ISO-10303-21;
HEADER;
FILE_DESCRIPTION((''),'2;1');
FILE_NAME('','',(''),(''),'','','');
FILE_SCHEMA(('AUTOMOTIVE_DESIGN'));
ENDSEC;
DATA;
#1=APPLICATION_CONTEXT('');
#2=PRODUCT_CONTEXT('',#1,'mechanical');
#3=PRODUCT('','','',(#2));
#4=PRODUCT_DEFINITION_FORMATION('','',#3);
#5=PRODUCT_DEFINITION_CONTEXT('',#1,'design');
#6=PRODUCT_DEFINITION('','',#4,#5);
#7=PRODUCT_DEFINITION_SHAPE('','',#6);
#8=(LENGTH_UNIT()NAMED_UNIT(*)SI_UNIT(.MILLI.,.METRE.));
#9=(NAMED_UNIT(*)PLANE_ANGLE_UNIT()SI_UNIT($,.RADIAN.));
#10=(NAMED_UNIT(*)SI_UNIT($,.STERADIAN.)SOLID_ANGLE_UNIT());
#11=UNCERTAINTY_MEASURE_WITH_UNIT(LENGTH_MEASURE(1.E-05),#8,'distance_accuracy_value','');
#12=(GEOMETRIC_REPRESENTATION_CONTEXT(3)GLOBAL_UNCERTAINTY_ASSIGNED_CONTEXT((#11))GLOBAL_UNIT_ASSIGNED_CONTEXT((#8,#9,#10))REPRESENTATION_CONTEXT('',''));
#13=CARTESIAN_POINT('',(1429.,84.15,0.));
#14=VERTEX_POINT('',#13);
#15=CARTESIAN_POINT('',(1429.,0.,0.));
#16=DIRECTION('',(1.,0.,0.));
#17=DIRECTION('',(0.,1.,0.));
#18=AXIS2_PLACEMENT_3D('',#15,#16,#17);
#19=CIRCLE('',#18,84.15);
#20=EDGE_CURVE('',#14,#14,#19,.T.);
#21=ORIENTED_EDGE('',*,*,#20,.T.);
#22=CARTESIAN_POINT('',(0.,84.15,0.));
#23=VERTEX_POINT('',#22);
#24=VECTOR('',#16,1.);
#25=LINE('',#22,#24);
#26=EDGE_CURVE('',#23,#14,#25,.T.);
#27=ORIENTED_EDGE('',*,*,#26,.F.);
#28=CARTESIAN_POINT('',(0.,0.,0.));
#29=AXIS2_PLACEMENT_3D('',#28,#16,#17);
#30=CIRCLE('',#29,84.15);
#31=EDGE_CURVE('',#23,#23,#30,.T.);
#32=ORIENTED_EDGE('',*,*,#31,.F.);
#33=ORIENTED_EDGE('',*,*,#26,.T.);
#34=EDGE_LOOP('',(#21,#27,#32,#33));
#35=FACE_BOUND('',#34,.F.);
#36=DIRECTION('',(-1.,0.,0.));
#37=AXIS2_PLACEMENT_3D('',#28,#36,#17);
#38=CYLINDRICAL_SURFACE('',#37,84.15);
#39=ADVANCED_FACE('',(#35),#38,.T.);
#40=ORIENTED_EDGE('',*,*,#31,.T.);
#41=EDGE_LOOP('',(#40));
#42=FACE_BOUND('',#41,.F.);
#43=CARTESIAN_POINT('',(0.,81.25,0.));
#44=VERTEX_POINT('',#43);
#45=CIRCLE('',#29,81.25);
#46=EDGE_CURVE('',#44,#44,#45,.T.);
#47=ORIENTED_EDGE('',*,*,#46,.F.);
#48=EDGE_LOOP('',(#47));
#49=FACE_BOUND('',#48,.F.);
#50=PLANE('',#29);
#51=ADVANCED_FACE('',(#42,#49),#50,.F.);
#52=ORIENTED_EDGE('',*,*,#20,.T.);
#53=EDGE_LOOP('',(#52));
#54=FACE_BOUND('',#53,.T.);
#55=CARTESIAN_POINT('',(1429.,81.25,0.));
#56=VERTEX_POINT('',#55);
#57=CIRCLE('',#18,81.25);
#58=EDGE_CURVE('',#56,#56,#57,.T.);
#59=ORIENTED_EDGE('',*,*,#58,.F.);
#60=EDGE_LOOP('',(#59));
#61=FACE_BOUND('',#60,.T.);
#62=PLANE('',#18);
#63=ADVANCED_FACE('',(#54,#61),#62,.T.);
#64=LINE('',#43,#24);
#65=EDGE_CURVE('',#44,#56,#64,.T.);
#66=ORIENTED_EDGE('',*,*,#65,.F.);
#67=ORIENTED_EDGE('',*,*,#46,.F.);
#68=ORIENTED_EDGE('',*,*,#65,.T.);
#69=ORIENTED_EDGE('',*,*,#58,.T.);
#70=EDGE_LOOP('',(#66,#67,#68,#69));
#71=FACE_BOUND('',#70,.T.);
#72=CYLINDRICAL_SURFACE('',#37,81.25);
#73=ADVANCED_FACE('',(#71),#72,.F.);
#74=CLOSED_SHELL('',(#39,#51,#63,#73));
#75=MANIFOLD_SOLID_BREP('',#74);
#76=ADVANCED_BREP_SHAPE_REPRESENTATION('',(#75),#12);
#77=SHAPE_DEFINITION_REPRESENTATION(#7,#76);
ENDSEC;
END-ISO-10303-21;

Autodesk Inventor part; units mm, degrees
ref_plane "YZ Plane" through (0, 0, 0) normal (1, 0, 0) x (0, 1, 0)
ref_plane "XZ Plane" through (0, 0, 0) normal (0, 1, 0) x (-1, 0, 0)
ref_plane "XY Plane" through (0, 0, 0) normal (0, 0, 1) x (1, 0, 0)
sketch "Sketch1" plane through (0, 0, 0) normal (1, 0, 0) x (0, 1, 0)
  circle A0 centre (0, 0) radius 84.15
  circle A1 centre (0, 0) radius 81.25
  dimension "d0" = 168.3
  dimension "d1" = 2.9
extrude "Extrusion1" add sketch "Sketch1" along normal blind 1429
equation "\"d0\" = OD"
equation "\"d1\" = t"
equation "\"d2\" = L"
equation "\"OD\" = 168.3"
equation "\"t\" = 2.9"
equation "\"L\" = PL"
equation "\"ID\" = 162.5"
equation "\"PL\" = 1429"
equation "\"Size_Designation\" = 1.2345"
properties material "Steel"
